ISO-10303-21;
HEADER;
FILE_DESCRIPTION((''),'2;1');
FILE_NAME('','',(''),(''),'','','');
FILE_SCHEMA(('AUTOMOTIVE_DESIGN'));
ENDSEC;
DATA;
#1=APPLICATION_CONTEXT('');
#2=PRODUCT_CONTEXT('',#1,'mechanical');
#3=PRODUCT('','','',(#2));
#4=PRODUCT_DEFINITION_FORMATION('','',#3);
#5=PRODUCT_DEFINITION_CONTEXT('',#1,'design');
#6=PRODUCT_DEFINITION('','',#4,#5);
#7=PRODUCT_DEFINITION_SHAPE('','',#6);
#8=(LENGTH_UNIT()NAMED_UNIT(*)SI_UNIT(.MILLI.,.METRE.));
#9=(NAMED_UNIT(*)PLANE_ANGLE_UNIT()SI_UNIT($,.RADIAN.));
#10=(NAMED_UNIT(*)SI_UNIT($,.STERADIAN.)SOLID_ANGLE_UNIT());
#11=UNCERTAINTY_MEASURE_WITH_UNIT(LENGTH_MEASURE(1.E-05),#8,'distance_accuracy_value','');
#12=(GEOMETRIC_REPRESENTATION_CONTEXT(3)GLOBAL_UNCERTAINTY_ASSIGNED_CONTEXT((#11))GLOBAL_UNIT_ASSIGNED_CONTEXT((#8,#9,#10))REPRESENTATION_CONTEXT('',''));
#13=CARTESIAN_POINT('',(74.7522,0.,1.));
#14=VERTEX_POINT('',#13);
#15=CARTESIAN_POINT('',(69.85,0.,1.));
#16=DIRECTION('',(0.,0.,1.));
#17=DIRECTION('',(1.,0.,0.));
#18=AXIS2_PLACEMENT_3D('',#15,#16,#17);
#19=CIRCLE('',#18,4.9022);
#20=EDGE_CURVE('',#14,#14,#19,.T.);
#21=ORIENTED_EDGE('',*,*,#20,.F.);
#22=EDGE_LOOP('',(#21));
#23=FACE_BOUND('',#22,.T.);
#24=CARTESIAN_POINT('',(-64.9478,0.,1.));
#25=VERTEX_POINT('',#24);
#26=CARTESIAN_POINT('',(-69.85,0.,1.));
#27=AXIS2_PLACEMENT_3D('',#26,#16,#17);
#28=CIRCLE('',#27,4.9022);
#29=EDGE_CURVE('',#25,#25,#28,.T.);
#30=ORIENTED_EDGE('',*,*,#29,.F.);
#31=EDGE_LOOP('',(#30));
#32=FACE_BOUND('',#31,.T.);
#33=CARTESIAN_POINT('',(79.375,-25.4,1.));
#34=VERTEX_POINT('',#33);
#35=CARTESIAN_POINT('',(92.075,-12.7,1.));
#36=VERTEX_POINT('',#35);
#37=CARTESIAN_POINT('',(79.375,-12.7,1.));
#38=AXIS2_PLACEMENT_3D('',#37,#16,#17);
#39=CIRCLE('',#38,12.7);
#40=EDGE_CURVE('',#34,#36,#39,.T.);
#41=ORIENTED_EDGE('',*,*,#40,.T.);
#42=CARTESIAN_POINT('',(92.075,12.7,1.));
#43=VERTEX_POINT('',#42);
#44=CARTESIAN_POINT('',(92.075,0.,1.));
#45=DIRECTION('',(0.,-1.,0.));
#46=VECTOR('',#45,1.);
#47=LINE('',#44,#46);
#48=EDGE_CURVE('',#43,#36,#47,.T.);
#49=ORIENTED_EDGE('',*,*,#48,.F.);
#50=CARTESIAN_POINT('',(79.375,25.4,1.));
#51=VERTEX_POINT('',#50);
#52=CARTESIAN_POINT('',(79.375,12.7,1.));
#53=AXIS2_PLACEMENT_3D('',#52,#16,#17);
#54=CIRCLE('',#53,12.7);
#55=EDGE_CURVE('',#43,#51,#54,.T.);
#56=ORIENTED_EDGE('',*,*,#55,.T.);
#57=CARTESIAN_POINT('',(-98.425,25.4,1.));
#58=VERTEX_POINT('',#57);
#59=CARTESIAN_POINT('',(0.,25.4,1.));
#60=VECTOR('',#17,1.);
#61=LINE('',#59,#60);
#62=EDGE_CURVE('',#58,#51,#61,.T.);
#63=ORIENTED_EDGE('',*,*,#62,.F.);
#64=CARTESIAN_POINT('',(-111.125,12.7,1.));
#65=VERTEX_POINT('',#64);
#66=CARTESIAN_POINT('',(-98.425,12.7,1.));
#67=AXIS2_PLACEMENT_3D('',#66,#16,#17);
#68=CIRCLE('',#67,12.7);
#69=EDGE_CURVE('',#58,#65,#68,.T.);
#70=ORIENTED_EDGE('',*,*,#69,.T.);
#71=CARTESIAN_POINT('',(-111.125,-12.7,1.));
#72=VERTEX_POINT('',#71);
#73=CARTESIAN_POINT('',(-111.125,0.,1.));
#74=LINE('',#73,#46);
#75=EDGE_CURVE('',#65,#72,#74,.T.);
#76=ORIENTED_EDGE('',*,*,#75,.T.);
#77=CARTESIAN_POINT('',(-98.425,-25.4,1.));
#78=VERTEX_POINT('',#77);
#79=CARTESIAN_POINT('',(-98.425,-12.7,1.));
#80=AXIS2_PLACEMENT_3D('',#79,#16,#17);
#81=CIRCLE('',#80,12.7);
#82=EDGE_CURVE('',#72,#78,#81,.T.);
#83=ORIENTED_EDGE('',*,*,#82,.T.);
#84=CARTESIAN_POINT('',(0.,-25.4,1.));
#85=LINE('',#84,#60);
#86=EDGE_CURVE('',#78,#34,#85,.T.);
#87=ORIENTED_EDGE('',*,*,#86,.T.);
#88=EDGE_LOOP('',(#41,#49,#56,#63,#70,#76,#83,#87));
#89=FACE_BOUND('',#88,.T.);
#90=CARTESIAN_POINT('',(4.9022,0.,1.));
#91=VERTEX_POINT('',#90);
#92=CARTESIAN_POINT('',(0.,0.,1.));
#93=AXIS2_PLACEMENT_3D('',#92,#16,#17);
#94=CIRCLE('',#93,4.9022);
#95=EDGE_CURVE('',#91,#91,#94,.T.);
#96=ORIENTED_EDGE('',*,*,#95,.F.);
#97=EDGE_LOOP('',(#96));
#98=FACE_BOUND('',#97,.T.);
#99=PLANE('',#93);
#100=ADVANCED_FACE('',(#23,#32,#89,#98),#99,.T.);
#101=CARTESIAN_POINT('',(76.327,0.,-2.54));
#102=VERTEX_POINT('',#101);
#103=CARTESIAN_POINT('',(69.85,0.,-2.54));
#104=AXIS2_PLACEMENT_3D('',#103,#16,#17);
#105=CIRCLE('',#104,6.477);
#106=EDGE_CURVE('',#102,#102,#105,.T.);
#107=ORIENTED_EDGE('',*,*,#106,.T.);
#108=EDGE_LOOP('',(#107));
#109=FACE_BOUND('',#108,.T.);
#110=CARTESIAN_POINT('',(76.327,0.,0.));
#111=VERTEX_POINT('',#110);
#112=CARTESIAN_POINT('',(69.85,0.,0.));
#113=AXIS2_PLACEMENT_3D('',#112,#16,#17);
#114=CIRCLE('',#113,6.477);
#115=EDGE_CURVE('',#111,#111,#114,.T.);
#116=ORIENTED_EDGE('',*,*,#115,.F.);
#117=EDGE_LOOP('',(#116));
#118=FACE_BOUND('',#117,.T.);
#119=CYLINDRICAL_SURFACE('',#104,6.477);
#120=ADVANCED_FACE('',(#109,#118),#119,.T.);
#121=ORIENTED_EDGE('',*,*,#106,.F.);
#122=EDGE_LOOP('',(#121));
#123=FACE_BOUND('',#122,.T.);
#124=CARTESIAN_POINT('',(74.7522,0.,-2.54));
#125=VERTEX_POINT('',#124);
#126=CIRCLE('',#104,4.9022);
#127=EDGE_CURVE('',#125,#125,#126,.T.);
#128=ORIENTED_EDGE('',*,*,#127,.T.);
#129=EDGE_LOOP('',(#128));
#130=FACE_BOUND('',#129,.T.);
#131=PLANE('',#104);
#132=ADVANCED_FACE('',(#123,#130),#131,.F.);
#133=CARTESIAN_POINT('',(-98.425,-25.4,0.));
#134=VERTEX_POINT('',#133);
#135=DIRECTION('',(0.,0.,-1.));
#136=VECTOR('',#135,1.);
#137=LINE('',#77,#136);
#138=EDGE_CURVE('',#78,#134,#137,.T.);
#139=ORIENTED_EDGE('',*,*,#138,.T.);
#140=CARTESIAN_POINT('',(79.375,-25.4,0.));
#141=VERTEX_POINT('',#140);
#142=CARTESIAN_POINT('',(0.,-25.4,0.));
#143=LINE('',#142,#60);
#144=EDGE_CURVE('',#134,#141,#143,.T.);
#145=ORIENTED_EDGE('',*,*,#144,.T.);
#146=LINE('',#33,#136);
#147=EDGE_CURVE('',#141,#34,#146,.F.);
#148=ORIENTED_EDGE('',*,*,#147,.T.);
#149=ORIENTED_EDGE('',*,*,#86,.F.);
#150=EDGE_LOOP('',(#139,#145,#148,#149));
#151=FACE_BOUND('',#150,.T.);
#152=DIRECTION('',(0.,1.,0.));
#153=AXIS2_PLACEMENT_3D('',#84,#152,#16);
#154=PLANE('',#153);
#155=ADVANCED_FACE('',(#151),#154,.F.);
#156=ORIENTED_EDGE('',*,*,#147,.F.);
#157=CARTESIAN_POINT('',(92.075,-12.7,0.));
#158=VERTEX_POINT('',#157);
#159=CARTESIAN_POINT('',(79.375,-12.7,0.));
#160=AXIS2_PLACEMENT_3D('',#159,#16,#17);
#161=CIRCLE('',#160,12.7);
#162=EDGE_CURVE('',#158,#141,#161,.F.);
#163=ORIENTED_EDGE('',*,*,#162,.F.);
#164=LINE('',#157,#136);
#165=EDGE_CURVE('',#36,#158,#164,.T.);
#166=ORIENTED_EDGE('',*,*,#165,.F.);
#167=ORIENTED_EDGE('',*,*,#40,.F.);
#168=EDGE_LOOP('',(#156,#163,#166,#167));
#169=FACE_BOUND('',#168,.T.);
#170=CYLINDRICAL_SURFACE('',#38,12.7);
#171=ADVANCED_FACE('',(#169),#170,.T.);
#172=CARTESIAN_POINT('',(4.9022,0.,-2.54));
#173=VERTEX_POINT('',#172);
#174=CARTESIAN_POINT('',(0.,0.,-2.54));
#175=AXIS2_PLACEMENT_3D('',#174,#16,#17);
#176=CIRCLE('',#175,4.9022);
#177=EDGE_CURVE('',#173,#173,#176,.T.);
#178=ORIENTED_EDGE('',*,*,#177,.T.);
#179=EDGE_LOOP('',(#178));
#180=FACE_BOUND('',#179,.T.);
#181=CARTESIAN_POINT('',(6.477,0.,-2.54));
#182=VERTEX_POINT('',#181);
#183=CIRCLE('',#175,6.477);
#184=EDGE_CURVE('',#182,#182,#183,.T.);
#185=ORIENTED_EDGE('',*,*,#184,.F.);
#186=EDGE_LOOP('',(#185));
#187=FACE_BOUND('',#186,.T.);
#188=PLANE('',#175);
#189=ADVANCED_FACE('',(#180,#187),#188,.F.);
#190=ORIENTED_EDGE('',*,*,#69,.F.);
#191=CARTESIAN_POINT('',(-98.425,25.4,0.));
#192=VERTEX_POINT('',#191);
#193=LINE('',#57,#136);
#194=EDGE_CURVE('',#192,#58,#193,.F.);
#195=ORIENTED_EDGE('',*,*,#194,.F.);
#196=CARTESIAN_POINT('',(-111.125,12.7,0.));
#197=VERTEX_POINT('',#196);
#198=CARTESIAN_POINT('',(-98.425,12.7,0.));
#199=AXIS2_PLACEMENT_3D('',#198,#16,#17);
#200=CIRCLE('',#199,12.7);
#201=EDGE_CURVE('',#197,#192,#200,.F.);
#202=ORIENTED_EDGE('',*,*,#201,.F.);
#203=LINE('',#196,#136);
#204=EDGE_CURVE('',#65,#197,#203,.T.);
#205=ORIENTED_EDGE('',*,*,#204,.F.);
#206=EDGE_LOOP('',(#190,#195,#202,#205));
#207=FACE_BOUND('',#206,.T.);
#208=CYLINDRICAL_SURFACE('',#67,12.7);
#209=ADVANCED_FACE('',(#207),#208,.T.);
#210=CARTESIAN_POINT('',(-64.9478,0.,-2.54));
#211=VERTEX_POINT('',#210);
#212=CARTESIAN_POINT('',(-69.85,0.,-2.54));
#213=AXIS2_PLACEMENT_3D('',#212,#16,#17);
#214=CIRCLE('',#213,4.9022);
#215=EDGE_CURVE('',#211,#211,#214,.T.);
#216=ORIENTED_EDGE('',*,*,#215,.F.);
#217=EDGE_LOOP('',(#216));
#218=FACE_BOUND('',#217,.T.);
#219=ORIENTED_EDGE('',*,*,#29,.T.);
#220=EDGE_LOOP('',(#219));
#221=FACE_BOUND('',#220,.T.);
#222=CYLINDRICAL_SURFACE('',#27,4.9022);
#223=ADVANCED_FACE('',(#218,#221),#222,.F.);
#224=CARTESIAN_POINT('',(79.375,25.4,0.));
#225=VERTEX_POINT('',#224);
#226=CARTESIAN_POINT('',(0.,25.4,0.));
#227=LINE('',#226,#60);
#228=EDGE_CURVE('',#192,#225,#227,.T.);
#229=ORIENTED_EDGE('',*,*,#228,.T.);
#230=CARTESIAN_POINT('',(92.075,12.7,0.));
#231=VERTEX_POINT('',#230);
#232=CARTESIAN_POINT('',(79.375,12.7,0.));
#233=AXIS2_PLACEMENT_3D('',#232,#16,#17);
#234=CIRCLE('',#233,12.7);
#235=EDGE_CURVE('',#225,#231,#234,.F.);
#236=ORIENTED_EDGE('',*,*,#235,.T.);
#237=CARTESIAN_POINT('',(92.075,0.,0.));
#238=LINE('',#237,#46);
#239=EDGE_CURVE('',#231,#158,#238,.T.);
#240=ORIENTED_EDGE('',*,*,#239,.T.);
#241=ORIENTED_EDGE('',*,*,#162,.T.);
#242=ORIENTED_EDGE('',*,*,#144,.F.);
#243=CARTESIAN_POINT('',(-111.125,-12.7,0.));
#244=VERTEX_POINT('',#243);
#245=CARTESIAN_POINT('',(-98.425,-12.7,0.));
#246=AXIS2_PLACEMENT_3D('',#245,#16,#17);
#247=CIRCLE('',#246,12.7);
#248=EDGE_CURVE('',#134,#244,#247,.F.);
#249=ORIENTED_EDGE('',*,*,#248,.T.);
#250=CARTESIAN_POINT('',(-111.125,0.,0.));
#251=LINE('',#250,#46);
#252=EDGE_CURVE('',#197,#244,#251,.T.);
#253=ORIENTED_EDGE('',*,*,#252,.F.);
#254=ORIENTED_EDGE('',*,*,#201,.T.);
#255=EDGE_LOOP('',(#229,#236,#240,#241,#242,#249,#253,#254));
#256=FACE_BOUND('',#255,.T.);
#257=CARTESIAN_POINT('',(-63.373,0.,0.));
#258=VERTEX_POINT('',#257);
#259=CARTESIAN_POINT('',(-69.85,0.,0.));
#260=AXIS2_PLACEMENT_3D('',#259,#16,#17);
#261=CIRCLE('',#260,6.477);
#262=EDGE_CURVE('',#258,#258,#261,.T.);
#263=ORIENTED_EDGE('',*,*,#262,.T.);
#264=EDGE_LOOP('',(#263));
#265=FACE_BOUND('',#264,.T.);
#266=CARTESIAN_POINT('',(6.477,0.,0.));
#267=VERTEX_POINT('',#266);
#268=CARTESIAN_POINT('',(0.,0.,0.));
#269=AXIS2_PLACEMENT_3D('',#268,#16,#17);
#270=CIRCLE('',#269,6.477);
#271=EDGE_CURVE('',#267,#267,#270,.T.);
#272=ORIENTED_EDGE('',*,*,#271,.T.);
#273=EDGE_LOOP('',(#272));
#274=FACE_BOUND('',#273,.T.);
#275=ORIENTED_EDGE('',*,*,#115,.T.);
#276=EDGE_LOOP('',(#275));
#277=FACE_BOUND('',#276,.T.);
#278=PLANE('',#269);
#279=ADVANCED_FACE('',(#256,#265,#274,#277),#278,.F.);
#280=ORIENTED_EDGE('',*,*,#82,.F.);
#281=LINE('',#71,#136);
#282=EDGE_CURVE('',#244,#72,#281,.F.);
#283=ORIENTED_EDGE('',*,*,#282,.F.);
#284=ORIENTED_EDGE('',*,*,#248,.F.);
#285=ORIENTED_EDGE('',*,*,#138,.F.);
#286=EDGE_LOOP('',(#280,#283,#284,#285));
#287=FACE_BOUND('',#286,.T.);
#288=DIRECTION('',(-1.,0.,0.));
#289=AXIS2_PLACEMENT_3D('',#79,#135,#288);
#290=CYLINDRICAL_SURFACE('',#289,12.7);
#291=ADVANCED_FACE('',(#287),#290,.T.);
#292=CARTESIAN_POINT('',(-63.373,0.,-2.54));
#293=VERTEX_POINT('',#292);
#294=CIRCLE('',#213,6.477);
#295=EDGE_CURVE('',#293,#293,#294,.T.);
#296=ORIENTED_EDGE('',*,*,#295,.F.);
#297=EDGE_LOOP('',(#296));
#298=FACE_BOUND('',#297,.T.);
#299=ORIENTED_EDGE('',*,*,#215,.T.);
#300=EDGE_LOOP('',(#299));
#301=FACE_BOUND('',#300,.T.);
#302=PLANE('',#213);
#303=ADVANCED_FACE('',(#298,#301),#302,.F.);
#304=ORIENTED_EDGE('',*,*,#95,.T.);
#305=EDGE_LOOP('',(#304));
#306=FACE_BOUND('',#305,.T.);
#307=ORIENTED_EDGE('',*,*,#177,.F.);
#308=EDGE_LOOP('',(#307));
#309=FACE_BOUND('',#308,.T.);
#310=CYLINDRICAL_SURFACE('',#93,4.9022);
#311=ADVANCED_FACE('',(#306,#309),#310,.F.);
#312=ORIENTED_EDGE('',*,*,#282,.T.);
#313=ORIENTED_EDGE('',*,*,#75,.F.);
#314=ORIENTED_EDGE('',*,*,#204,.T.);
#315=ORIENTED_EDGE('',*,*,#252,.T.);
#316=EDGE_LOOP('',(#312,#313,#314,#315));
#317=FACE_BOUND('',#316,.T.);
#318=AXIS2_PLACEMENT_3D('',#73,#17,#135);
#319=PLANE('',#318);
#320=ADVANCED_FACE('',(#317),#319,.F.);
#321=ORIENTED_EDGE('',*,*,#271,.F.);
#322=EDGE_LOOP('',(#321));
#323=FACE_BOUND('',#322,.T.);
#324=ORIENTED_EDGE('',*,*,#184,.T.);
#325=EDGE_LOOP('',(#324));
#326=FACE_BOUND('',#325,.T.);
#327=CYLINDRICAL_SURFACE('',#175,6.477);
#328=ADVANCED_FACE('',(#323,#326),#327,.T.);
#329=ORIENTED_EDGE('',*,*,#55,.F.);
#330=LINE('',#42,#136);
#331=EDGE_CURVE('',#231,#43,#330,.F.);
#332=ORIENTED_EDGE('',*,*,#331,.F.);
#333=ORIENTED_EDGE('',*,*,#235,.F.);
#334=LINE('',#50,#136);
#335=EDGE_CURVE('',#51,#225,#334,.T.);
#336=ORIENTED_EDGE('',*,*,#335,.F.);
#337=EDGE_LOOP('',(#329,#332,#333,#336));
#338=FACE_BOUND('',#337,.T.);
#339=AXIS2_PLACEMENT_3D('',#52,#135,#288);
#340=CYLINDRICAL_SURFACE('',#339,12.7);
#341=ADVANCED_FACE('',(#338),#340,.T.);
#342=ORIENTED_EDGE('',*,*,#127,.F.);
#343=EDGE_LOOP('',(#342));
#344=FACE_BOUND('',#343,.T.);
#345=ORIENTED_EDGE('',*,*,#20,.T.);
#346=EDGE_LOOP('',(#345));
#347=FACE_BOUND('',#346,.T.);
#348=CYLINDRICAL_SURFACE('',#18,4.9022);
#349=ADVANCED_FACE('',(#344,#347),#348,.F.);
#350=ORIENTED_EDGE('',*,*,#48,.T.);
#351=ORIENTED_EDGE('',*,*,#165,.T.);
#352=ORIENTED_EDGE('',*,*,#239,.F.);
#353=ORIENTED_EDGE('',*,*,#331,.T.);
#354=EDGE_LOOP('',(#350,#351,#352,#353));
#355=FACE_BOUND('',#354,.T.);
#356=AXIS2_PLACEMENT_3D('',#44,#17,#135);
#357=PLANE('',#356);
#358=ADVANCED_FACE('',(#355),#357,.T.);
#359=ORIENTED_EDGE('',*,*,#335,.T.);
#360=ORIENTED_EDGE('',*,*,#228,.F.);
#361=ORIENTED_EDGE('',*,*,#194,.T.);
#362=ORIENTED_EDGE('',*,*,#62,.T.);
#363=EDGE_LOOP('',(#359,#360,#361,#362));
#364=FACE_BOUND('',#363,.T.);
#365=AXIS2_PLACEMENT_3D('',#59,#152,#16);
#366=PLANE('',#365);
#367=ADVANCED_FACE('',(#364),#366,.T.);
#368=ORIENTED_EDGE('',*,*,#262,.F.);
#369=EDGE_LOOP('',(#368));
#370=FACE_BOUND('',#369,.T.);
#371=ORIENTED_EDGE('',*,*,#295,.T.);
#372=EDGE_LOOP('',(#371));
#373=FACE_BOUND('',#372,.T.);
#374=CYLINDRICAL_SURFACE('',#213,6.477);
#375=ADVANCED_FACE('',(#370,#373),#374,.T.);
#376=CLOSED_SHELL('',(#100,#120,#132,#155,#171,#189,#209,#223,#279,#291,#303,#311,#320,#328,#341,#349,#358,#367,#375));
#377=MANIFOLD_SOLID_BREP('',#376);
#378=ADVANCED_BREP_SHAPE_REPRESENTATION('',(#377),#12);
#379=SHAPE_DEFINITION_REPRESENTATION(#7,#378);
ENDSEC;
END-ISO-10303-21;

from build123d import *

# Parameters (mm, degrees)
SKETCH1_W                        = 203.2
SKETCH1_H                        = 50.8
BOSS_EXTRUDE1_DEPTH              = 1
SKETCH1_3_R                      = 6.477
BOSS_EXTRUDE2_DEPTH              = 2.54
SKETCH2_W                        = 4.9022
SKETCH2_H                        = 3.54
F_3_8_CLEARANCE_HOLE1_AT_2_COUNT = 2
F_3_8_CLEARANCE_HOLE1_AT_2_PITCH = 69.85
F_3_8_CLEARANCE_HOLE1_AT_3_COUNT = 2
F_3_8_CLEARANCE_HOLE1_AT_3_PITCH = 139.7
F_3_8_CLEARANCE_HOLE1_AT_4_COUNT = 2
F_3_8_CLEARANCE_HOLE1_AT_4_PITCH = 69.85
FILLET1_R                        = 12.7


with BuildPart() as part:
    # Sketch1 → Boss-Extrude1 (new body)
    with BuildSketch(Plane.XY):
        with Locations((-9.525, 0)):
            Rectangle(SKETCH1_W, SKETCH1_H)
    extrude(amount=BOSS_EXTRUDE1_DEPTH)

    # Sketch1<3> → Boss-Extrude2 (add)
    with BuildSketch(Plane.XY):
        with Locations((-69.85, 0)):
            Circle(SKETCH1_3_R)
        Circle(SKETCH1_3_R)
        with Locations((69.85, 0)):
            Circle(SKETCH1_3_R)
    extrude(amount=-BOSS_EXTRUDE2_DEPTH)

    # Sketch2 → 3/8 Clearance Hole1 (revolve, cut)
    with BuildSketch(Plane(origin=(-69.85, 0, 1), x_dir=(0, -1, 0), z_dir=(1, 0, 0))):
        with Locations((2.4511, 1.77)):
            Rectangle(SKETCH2_W, SKETCH2_H)
    f_3_8_clearance_hole1 = revolve(axis=Axis((-69.85, 0, 7.35), (0, 0, -1)), mode=Mode.SUBTRACT)

    # 3/8 Clearance Hole1 at 2: 3/8 Clearance Hole1 ×2
    with Locations(*[(i * F_3_8_CLEARANCE_HOLE1_AT_2_PITCH, 0, 0) for i in range(1, F_3_8_CLEARANCE_HOLE1_AT_2_COUNT)]):
        add(f_3_8_clearance_hole1, mode=Mode.SUBTRACT)

    # 3/8 Clearance Hole1 at 3: 3/8 Clearance Hole1 ×2
    with Locations(*[(i * F_3_8_CLEARANCE_HOLE1_AT_3_PITCH, 0, 0) for i in range(1, F_3_8_CLEARANCE_HOLE1_AT_3_COUNT)]):
        add(f_3_8_clearance_hole1, mode=Mode.SUBTRACT)

    # 3/8 Clearance Hole1 at 4: 3/8 Clearance Hole1 ×2
    with Locations(*[(i * F_3_8_CLEARANCE_HOLE1_AT_4_PITCH, 0, 0) for i in range(1, F_3_8_CLEARANCE_HOLE1_AT_4_COUNT)]):
        add(f_3_8_clearance_hole1, mode=Mode.SUBTRACT)

    # Fillet1
    fillet1_edges = [part.edges().sort_by_distance(p)[0] for p in [
        (92.075, -25.4, 0.5),
        (-111.125, -25.4, 0.5),
        (-111.125, 25.4, 0.5),
        (92.075, 25.4, 0.5),
    ]]
    fillet(fillet1_edges, radius=FILLET1_R)


solid = part.part
